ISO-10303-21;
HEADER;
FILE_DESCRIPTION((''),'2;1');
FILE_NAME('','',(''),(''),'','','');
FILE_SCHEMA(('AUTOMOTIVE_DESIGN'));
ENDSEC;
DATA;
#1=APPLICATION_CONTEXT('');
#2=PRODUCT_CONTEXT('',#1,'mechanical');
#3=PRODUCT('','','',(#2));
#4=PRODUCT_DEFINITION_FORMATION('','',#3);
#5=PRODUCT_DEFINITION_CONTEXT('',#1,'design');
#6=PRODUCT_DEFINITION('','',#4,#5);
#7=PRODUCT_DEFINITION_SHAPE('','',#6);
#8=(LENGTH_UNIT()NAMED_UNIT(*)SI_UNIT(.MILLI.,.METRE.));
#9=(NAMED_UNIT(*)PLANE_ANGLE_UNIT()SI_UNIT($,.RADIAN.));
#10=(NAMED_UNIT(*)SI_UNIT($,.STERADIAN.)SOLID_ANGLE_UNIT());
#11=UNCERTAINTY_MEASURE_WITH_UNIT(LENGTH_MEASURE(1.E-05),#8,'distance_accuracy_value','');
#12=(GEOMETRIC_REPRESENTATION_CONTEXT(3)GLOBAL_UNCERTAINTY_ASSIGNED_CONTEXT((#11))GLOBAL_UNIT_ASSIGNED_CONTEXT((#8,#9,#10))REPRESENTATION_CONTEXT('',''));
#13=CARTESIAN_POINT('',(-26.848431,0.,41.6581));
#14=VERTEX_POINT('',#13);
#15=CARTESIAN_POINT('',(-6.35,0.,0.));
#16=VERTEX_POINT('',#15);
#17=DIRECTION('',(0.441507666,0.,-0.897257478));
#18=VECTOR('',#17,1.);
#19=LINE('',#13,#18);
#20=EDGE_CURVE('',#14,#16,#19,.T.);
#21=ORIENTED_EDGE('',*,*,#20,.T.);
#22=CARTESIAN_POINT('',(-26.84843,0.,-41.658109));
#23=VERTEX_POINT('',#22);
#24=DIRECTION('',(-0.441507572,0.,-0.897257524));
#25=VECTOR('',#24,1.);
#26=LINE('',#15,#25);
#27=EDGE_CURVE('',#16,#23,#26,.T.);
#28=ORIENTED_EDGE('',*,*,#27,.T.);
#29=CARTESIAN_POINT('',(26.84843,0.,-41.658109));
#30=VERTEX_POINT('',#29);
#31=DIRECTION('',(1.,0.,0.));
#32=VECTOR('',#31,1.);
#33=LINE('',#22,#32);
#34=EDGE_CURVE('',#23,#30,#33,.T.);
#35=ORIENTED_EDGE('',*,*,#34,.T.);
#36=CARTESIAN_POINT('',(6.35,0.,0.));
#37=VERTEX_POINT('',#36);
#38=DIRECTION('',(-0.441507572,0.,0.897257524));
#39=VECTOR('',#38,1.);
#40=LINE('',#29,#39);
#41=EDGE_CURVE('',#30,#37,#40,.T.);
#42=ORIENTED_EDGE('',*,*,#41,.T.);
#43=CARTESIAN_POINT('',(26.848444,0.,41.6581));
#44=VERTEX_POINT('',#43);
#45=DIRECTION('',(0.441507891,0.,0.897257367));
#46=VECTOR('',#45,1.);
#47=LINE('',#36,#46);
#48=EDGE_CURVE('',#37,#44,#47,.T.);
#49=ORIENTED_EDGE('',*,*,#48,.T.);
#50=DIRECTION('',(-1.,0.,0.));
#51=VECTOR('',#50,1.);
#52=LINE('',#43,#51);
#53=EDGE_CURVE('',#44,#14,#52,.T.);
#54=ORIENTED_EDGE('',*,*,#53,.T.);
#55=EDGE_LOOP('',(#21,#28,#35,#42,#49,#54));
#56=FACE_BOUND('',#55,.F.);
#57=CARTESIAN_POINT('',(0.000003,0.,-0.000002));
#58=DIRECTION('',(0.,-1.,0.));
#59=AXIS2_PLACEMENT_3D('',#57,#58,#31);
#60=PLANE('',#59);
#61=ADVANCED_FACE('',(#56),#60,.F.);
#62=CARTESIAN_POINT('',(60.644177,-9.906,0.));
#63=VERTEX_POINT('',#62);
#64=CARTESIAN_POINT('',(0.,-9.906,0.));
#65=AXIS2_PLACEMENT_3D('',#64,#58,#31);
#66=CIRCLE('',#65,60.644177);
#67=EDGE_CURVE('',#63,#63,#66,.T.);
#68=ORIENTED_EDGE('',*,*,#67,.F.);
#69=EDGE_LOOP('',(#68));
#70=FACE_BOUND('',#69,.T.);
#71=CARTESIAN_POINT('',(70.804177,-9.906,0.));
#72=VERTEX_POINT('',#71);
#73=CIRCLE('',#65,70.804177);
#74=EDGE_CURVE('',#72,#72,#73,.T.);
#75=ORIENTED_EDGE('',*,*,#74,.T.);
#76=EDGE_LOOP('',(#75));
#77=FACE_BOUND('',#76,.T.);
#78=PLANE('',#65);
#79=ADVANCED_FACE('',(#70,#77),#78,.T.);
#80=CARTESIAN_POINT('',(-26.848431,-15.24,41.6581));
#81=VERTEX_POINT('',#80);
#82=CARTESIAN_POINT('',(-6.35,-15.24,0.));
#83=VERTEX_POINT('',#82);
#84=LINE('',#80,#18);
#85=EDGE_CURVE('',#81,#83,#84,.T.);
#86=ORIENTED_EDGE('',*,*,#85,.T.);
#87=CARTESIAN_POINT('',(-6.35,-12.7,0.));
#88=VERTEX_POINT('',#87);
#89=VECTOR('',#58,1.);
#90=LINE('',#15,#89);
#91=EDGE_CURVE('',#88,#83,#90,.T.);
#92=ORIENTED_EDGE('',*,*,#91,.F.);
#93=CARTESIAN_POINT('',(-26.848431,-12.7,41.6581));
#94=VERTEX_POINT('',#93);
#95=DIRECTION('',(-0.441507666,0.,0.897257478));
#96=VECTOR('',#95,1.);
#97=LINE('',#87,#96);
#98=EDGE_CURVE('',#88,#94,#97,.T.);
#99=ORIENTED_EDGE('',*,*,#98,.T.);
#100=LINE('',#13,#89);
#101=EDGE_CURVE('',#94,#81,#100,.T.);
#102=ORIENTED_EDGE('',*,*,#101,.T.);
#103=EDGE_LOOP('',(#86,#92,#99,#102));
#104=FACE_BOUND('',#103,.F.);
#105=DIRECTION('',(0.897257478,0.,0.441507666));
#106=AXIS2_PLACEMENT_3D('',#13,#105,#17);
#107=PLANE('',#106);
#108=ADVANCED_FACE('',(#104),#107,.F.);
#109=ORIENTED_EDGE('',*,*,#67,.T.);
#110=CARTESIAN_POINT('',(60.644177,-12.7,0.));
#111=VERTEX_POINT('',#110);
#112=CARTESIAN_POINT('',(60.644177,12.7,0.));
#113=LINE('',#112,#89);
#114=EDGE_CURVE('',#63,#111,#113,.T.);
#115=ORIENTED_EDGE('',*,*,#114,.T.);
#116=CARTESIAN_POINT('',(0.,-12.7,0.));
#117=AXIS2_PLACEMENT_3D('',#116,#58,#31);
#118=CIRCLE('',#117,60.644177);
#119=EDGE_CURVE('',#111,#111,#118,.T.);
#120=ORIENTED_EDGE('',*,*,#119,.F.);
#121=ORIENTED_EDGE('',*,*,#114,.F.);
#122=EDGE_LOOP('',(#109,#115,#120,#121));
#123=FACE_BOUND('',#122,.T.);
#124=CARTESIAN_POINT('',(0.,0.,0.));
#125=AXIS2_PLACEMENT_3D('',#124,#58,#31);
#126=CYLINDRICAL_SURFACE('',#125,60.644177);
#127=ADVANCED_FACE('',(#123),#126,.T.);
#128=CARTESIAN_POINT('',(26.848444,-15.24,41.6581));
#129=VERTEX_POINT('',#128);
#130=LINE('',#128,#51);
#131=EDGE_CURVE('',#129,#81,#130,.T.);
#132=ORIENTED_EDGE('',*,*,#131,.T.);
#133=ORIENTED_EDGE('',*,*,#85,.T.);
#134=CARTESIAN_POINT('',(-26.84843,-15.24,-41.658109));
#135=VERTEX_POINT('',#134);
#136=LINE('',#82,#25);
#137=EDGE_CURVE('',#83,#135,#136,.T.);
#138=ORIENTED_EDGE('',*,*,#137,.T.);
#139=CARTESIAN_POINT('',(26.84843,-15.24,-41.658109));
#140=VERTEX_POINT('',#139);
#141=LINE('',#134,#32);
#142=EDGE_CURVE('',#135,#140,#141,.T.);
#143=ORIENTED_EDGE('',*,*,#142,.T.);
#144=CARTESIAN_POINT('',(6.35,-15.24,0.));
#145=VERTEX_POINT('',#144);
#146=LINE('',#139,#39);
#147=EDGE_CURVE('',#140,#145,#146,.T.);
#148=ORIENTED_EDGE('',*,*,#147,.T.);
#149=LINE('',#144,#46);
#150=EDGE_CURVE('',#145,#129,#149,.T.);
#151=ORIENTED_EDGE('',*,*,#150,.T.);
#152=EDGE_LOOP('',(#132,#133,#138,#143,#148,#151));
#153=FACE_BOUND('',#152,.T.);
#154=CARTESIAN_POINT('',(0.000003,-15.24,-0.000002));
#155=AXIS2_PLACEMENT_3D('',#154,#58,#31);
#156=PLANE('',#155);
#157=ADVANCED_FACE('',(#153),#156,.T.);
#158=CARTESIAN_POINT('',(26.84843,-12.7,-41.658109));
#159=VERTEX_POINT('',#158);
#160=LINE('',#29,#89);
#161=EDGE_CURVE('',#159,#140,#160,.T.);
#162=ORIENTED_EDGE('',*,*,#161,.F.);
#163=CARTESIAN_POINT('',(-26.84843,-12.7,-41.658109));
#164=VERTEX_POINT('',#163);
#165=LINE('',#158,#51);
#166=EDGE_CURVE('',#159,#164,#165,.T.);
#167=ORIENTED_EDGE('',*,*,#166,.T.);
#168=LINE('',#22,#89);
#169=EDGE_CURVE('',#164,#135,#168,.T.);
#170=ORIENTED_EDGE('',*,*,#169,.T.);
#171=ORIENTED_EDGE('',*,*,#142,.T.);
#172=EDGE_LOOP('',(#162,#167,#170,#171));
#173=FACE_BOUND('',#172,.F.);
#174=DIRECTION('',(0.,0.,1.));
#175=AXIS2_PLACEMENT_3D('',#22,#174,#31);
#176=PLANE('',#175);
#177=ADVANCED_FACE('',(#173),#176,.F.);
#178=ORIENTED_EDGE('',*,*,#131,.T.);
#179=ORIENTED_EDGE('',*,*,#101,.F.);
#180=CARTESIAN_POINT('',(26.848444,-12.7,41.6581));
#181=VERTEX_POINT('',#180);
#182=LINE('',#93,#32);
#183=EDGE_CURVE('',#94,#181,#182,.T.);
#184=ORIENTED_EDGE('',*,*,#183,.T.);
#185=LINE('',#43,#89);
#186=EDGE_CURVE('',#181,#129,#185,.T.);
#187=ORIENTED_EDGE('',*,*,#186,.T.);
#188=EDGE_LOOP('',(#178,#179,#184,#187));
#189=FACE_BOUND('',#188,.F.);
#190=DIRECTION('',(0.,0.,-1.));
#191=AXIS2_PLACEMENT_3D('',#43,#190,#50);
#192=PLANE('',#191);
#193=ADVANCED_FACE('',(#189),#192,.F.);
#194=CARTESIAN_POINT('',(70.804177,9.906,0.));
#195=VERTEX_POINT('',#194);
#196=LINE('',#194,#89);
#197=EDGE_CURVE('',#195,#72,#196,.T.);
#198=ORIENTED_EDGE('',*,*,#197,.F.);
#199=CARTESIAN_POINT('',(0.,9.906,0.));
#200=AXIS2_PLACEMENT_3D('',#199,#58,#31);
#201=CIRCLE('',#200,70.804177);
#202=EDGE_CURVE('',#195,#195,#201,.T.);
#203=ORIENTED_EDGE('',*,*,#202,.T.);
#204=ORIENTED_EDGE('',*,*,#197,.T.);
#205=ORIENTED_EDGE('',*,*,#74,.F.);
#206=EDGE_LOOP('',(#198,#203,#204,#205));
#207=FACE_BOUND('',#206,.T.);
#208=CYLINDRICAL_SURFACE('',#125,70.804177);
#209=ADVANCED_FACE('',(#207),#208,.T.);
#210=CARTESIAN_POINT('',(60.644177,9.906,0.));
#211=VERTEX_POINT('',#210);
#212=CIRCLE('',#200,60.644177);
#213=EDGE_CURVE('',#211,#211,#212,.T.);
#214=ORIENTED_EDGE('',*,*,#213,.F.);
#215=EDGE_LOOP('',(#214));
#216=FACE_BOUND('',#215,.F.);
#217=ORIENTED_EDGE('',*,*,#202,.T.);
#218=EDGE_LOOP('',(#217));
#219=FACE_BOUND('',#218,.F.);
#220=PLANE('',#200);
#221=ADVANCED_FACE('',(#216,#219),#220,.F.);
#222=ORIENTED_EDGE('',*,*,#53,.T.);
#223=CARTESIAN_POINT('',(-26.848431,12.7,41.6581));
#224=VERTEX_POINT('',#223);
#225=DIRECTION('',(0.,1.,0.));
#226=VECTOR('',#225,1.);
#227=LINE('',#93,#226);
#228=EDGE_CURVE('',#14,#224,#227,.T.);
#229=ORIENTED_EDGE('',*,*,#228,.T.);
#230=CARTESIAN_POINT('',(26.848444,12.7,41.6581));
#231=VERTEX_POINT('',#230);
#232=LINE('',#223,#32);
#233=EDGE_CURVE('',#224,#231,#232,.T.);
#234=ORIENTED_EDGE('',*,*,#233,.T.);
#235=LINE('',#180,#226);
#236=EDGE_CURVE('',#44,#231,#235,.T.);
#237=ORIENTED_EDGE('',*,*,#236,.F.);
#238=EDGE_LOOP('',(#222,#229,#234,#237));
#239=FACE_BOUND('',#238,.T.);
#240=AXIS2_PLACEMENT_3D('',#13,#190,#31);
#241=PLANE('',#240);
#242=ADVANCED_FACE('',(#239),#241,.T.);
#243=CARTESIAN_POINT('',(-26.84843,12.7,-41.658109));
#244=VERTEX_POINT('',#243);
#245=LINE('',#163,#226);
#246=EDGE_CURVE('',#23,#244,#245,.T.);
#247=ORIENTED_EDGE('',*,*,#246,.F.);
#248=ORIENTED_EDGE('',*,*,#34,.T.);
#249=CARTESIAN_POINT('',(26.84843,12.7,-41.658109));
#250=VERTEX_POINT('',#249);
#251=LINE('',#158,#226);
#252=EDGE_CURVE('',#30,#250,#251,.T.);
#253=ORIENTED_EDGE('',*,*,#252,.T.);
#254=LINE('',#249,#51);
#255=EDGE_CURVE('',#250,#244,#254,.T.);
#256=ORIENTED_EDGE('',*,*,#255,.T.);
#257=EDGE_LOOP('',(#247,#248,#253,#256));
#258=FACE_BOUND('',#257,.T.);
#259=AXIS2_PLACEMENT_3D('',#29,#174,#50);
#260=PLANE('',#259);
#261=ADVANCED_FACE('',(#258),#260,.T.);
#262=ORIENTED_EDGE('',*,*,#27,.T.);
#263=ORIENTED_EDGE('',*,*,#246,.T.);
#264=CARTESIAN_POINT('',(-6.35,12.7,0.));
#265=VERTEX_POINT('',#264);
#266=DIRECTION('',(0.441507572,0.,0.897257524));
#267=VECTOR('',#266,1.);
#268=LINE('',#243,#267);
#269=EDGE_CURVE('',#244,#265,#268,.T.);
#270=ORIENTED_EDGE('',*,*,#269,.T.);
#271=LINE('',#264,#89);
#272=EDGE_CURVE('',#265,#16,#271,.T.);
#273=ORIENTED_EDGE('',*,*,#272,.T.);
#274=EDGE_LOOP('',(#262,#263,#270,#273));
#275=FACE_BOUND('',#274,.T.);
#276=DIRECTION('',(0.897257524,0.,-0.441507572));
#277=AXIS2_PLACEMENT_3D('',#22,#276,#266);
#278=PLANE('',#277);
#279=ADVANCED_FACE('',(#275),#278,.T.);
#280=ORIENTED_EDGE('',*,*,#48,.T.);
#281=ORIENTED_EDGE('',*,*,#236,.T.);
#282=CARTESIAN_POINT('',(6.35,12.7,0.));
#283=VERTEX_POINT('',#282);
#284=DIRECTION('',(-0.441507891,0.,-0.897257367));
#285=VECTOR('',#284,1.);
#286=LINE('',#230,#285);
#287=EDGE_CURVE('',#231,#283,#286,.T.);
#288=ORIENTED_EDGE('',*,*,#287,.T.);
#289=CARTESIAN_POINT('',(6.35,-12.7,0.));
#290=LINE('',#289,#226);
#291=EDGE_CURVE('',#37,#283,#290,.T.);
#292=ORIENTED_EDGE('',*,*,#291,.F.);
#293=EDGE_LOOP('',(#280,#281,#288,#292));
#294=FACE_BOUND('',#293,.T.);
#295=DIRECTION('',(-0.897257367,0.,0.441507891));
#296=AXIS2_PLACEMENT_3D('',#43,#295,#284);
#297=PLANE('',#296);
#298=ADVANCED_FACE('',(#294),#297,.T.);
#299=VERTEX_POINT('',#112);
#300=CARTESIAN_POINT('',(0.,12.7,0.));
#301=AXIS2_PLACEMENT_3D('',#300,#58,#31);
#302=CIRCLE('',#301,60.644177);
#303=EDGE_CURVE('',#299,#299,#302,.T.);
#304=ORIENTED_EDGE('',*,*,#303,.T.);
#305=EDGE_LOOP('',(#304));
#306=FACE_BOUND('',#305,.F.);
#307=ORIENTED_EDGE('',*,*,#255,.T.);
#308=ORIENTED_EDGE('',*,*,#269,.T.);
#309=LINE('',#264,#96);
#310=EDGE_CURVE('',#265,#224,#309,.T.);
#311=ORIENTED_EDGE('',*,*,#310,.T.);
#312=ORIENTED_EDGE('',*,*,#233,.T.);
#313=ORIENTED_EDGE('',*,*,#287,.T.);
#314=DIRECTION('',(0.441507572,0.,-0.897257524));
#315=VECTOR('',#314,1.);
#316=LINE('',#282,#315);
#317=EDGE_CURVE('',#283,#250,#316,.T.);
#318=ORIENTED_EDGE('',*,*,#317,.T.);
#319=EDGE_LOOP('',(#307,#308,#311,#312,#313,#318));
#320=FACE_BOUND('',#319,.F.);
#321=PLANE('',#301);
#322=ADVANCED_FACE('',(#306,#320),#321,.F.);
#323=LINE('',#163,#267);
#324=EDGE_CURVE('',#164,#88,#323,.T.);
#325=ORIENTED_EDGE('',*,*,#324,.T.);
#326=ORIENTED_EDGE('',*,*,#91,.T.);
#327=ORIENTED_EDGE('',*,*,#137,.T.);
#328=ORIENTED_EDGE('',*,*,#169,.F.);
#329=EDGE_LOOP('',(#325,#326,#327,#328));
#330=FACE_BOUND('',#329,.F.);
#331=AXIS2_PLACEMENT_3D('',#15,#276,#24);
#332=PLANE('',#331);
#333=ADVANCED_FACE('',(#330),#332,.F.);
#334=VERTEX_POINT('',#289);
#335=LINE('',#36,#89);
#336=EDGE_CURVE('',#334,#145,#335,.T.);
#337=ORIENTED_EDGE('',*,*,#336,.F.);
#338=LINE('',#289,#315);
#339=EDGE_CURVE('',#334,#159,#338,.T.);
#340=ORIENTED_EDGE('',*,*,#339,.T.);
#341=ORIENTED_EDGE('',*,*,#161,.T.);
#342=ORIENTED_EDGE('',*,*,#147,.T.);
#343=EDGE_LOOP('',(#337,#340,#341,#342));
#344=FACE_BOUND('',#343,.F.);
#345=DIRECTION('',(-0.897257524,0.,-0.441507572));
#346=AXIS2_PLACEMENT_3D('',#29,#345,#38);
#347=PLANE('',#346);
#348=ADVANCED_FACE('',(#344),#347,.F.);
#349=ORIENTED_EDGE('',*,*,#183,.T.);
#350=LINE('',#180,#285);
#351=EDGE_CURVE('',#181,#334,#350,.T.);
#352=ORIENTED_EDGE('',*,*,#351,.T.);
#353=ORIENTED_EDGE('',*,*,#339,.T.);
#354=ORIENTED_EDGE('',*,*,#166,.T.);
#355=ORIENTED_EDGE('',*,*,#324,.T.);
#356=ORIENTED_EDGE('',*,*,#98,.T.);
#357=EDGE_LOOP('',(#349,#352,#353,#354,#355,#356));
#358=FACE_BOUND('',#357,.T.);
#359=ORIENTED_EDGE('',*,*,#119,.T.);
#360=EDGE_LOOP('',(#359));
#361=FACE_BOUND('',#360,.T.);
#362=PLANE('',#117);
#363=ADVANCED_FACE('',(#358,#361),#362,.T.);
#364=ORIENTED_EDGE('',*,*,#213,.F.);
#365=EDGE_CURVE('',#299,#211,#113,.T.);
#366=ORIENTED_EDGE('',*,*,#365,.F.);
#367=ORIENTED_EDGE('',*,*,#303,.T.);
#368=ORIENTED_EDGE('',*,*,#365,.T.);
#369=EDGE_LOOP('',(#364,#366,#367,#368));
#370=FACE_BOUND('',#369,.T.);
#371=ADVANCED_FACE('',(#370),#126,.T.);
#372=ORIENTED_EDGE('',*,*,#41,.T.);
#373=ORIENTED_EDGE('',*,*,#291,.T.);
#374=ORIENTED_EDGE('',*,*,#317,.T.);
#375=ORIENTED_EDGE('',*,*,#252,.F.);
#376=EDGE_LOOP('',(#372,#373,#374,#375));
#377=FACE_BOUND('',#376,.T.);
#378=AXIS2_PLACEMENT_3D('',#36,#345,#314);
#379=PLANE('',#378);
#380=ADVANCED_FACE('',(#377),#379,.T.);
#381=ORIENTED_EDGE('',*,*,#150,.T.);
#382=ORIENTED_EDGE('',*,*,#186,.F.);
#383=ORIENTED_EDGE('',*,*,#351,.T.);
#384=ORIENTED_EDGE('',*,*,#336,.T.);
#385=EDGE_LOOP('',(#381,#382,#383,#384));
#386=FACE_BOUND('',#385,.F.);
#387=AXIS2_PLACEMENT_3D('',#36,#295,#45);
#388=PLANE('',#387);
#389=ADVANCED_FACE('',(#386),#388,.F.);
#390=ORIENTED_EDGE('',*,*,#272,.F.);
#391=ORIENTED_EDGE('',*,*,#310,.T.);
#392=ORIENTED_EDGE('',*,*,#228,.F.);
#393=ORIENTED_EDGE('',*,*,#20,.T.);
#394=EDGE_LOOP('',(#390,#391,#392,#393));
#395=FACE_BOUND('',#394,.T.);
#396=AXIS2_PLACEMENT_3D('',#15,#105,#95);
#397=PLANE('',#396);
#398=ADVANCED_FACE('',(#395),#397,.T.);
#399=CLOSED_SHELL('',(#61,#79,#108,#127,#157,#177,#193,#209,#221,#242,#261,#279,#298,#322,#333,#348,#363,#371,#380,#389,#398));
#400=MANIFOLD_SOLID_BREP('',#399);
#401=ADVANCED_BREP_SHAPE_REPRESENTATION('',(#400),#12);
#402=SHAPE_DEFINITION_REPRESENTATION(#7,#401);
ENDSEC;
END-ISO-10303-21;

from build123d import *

# Parameters (mm, degrees)
F0_R     = 70.804177
F0_R_2   = 60.644177
F1_DEPTH = 9.906
F2_DEPTH = 12.7
F3_DEPTH = 15.24


with BuildPart() as f1:
    # F0 (on Front) → F1 (new body, symmetric)
    with BuildSketch(Plane.XZ):
        Circle(F0_R)
        Circle(F0_R_2, mode=Mode.SUBTRACT)
    extrude(amount=F1_DEPTH, both=True)

    # F0 (on Front) → F2 (join, symmetric)
    with BuildSketch(Plane.XZ):
        Circle(F0_R_2)
        Polygon((-6.35, 0), (-26.848431, 41.6581), (26.848444, 41.6581), (6.35, 0), (26.84843, -41.658109), (-26.84843, -41.658109), align=None, mode=Mode.SUBTRACT)
    extrude(amount=F2_DEPTH, both=True)

    # F0 (on Front) → F3 (join)
    with BuildSketch(Plane.XZ):
        Polygon((26.848444, 41.6581), (-26.848431, 41.6581), (-6.35, 0), (-26.84843, -41.658109), (26.84843, -41.658109), (6.35, 0), align=None)
    extrude(amount=F3_DEPTH)


solid = f1.part
